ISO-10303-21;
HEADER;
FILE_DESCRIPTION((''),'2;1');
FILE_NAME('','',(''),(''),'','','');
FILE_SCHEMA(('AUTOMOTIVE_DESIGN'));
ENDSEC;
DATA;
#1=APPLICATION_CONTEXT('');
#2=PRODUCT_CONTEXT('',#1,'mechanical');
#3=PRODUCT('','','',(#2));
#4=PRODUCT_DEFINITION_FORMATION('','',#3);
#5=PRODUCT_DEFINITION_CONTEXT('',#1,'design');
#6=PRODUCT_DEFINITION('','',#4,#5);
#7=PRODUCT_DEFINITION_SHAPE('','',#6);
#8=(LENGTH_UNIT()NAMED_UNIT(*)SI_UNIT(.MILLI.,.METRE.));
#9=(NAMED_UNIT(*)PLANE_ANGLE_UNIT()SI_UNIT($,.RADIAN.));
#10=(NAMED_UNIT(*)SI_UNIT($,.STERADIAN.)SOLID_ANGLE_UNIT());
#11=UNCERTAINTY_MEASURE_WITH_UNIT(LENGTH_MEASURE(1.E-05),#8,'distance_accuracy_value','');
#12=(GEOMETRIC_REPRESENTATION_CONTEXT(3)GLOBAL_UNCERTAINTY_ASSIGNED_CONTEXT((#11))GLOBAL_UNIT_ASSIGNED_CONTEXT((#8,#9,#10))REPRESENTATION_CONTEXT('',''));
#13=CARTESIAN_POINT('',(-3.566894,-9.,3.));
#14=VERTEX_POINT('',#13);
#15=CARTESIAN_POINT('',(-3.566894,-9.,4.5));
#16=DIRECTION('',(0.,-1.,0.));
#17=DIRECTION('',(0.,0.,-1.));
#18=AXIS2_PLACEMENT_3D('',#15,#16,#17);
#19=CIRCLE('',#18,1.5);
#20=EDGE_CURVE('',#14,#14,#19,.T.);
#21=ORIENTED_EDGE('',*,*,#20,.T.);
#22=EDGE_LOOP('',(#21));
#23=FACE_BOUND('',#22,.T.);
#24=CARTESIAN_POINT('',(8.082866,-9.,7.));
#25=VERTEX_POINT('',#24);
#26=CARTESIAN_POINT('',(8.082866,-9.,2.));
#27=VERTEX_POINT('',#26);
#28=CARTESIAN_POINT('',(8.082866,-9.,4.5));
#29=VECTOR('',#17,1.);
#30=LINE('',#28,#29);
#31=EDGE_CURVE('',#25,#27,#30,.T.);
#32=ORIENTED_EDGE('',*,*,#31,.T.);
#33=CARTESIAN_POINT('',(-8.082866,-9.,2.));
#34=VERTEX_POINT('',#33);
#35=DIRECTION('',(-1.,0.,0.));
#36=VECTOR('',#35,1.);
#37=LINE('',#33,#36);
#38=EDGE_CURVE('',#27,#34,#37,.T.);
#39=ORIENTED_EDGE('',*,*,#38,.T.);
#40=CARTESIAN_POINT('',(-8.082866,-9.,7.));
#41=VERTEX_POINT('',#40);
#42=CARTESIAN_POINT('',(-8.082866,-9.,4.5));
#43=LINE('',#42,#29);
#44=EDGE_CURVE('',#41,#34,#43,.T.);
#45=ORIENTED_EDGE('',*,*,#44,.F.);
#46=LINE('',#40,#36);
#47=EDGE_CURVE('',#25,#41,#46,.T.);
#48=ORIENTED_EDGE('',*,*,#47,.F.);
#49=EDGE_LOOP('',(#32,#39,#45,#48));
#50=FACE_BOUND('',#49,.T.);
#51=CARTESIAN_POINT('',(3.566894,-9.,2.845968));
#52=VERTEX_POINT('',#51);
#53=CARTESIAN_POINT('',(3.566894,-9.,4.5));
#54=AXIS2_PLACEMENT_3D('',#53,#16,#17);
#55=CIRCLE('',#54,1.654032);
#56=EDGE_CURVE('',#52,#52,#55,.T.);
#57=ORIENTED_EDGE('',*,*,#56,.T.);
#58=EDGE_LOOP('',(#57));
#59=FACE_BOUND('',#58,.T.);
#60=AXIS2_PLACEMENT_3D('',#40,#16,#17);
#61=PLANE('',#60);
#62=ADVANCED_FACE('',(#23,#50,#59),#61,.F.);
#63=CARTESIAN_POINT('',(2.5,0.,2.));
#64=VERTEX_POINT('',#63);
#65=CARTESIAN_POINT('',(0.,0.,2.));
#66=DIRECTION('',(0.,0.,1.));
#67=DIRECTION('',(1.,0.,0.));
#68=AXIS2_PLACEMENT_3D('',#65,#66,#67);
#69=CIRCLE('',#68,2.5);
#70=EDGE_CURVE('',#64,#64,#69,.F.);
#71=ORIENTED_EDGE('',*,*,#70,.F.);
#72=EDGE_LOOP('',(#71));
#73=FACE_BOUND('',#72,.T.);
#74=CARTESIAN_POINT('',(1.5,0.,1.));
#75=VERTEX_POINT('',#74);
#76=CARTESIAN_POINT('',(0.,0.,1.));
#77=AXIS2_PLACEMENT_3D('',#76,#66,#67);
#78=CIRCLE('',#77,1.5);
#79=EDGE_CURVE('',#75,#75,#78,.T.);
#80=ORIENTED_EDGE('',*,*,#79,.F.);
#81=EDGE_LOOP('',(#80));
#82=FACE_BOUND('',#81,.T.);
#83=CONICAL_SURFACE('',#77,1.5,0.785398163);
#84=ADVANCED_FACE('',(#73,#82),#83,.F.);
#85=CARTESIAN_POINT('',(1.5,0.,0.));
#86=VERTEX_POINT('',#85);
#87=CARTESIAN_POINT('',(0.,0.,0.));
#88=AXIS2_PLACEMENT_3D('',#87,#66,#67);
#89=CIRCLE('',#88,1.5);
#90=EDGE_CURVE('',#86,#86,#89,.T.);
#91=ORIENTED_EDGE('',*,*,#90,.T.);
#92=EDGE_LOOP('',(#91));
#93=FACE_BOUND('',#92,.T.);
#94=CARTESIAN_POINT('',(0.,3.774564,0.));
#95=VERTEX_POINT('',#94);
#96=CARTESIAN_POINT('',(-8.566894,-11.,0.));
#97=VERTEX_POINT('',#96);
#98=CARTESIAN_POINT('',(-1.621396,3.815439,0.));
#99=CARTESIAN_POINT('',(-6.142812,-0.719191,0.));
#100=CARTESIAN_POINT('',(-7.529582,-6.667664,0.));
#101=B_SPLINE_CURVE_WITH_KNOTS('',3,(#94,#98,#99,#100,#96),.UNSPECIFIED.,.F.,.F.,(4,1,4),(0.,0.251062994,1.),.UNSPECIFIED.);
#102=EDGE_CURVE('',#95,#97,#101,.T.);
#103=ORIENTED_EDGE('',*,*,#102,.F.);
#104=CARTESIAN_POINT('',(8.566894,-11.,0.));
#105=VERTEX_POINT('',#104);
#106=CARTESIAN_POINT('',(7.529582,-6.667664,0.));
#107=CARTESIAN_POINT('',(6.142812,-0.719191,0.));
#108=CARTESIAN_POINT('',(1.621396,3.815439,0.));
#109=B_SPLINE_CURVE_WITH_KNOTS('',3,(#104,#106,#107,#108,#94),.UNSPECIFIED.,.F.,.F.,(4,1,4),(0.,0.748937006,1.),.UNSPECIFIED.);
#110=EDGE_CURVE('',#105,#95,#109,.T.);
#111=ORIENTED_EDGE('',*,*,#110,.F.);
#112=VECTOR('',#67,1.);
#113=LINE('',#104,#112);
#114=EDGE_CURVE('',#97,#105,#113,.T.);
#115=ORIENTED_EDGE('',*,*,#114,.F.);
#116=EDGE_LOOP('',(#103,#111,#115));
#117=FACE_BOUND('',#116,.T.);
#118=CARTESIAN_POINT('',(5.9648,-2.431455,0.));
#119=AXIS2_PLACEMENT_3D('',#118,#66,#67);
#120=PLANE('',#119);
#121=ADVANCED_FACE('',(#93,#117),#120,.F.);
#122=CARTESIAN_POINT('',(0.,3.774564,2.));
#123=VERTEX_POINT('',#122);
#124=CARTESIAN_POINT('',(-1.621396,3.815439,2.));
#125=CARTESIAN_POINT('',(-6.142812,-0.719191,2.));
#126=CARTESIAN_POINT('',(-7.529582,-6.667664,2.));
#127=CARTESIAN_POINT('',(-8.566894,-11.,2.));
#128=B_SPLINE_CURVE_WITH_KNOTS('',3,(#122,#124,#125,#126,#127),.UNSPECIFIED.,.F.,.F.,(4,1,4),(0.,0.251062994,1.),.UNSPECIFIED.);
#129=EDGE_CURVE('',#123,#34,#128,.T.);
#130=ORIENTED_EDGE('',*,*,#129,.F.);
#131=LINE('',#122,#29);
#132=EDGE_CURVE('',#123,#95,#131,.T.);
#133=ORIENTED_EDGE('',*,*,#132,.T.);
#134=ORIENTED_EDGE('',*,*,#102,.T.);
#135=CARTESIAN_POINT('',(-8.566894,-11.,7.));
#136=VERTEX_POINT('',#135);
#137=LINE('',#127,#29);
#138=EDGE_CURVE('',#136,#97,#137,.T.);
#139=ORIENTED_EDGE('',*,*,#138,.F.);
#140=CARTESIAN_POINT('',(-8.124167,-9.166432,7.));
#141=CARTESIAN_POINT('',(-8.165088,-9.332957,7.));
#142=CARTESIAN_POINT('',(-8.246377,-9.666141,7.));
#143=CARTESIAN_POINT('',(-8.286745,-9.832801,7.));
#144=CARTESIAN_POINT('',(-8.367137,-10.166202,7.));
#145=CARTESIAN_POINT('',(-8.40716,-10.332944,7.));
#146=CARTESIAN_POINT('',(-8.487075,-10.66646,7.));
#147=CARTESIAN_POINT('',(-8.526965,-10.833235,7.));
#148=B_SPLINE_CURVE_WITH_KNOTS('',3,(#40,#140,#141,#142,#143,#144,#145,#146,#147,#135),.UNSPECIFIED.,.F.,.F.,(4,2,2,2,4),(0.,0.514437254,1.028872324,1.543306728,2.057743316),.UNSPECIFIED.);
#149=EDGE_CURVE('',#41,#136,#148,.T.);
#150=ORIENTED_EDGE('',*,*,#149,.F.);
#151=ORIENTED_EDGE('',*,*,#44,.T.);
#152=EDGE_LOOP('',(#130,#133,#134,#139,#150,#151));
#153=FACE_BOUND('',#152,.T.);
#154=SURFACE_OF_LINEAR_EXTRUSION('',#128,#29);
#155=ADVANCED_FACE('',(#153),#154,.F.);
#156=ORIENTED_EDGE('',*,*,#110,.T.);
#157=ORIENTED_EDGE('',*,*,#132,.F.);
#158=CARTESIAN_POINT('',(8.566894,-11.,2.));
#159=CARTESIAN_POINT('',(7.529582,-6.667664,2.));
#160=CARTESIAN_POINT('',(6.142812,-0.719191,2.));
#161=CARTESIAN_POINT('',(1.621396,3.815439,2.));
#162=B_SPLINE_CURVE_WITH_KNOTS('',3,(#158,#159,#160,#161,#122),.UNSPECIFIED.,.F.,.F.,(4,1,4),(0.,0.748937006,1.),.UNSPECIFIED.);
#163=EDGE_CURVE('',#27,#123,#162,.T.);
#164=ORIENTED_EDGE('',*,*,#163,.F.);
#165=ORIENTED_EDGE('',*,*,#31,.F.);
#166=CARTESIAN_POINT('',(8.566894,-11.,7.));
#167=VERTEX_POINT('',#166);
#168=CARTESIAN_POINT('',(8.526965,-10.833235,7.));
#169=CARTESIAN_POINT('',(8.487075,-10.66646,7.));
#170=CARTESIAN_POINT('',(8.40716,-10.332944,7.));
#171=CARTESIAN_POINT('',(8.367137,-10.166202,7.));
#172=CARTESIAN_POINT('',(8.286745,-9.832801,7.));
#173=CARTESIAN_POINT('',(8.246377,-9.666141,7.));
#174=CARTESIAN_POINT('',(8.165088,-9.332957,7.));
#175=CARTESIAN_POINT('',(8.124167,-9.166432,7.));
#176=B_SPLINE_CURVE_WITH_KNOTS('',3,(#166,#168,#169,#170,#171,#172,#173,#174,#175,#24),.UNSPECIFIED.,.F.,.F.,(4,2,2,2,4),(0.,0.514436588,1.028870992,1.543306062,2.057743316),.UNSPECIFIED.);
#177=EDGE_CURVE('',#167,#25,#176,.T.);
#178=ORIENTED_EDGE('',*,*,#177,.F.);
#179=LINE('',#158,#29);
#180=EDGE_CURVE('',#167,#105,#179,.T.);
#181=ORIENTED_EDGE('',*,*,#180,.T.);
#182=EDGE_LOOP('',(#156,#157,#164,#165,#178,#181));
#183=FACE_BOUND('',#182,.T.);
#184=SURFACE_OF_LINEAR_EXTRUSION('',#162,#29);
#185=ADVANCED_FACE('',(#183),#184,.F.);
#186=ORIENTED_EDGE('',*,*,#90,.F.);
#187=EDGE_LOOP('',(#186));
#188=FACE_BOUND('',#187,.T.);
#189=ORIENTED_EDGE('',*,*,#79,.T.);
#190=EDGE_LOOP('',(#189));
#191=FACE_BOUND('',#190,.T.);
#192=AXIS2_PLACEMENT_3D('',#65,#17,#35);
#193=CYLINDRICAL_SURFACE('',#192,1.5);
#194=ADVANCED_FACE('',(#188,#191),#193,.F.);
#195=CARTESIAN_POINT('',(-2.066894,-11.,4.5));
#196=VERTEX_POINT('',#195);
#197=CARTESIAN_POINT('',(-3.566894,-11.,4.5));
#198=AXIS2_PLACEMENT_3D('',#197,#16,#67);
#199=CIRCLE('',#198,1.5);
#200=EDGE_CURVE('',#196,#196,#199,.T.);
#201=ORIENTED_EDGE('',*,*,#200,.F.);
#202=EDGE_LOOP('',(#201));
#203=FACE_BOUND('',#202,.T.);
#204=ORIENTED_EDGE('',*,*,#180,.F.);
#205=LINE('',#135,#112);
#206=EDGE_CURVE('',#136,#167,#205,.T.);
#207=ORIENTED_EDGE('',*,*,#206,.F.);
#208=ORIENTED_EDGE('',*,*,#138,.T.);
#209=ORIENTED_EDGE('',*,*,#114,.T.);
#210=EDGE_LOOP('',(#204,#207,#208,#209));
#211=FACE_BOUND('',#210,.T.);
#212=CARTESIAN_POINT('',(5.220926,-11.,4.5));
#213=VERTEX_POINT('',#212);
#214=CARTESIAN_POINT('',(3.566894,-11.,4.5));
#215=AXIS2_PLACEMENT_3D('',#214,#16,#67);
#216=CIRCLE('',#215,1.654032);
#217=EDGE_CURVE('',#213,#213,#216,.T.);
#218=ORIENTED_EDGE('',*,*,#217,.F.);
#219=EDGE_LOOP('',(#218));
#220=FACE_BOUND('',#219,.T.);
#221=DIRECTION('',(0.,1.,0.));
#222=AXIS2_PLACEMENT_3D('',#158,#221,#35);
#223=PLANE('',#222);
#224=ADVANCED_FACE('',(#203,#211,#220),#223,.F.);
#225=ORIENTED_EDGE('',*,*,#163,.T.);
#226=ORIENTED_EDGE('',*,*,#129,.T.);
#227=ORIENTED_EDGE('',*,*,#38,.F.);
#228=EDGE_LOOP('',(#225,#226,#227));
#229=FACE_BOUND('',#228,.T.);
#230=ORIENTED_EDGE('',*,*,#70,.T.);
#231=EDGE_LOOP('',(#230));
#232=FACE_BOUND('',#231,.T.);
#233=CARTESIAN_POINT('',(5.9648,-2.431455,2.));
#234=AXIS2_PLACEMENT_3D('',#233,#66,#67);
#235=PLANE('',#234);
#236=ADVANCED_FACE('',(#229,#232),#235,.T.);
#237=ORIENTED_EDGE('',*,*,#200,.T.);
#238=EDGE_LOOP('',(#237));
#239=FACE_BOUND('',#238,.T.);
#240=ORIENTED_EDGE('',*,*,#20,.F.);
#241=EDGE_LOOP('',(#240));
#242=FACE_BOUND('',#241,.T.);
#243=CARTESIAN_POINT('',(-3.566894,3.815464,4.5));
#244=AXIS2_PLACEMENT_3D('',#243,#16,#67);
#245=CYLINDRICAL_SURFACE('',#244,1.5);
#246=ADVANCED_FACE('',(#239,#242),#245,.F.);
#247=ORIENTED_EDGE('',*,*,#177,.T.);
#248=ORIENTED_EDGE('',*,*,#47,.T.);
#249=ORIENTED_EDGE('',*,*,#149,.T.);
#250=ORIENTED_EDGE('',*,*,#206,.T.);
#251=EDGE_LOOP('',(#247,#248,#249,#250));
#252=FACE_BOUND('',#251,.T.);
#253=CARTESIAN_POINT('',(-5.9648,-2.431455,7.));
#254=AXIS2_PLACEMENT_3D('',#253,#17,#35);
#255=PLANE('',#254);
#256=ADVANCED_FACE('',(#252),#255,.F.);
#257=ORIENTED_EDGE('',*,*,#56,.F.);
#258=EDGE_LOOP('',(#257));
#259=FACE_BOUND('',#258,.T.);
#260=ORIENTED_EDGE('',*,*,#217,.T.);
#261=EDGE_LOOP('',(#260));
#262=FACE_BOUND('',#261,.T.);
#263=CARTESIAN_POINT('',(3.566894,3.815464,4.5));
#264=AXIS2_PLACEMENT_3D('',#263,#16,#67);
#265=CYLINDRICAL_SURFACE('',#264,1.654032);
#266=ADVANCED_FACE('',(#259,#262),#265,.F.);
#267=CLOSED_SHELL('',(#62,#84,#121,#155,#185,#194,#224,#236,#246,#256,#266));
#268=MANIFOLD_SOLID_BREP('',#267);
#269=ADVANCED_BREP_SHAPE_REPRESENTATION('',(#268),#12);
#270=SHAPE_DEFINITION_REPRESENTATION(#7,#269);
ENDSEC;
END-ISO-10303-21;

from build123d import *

# Parameters (mm, degrees)
SKETCH1_R           = 1.5
BOSS_EXTRUDE1_DEPTH = 2
CHAMFER1_SIZE       = 1
BOSS_EXTRUDE2_DEPTH = 5
SKETCH3_R           = 1.5
SKETCH3_R_2         = 1.654032004
CUT_EXTRUDE1_DEPTH  = 19.458358008


with BuildPart() as part:
    # Sketch1 → Boss-Extrude1 (new body)
    with BuildSketch(Plane.XY):
        with BuildLine():
            Line((8.566894072, -11), (-8.566894072, -11))
            add(Edge.make_bspline(
                [(0, 3.774563681), (-1.6213965, 3.815439451), (-6.14281173, -0.719191195), (-7.529582221, -6.667664167), (-8.566894072, -11)],
                knots=[0, 0, 0, 0, 0.251062994, 1, 1, 1, 1], degree=3))
            add(Edge.make_bspline(
                [(0, 3.774563681), (1.6213965, 3.815439451), (6.14281173, -0.719191195), (7.529582221, -6.667664167), (8.566894072, -11)],
                knots=[0, 0, 0, 0, 0.251062994, 1, 1, 1, 1], degree=3))
        make_face()
        Circle(SKETCH1_R, mode=Mode.SUBTRACT)
    extrude(amount=BOSS_EXTRUDE1_DEPTH)

    # Chamfer1
    chamfer1_edges = [part.edges().sort_by_distance(p)[0] for p in [
        (-1.5, 0, 2),
    ]]
    chamfer(chamfer1_edges, length=CHAMFER1_SIZE)

    # Sketch2 → Boss-Extrude2 (add)
    with BuildSketch(Plane.XY.offset(2)):
        with BuildLine():
            Line((-8.082865754, -9), (8.082865754, -9))
            add(Edge.make_bspline(
                [(8.566894072, -11), (8.407698636, -10.33511982), (8.248472773, -9.667349813), (8.082865754, -9)],
                knots=[0, 0, 0, 0, 0.114938775, 0.114938775, 0.114938775, 0.114938775], degree=3))
            Line((8.566894072, -11), (-8.566894072, -11))
            add(Edge.make_bspline(
                [(-8.082865754, -9), (-8.248472773, -9.667349813), (-8.407698636, -10.33511982), (-8.566894072, -11)],
                knots=[0.885061225, 0.885061225, 0.885061225, 0.885061225, 1, 1, 1, 1], degree=3))
        make_face()
    extrude(amount=BOSS_EXTRUDE2_DEPTH)

    # Sketch3 → Cut-Extrude1 (cut, through all)
    with BuildSketch(Plane.XZ.offset(11)):
        with Locations((-3.566894072, 4.5)):
            Circle(SKETCH3_R)
        with Locations((3.566894072, 4.5)):
            Circle(SKETCH3_R_2)
    extrude(amount=-CUT_EXTRUDE1_DEPTH, mode=Mode.SUBTRACT)


solid = part.part
